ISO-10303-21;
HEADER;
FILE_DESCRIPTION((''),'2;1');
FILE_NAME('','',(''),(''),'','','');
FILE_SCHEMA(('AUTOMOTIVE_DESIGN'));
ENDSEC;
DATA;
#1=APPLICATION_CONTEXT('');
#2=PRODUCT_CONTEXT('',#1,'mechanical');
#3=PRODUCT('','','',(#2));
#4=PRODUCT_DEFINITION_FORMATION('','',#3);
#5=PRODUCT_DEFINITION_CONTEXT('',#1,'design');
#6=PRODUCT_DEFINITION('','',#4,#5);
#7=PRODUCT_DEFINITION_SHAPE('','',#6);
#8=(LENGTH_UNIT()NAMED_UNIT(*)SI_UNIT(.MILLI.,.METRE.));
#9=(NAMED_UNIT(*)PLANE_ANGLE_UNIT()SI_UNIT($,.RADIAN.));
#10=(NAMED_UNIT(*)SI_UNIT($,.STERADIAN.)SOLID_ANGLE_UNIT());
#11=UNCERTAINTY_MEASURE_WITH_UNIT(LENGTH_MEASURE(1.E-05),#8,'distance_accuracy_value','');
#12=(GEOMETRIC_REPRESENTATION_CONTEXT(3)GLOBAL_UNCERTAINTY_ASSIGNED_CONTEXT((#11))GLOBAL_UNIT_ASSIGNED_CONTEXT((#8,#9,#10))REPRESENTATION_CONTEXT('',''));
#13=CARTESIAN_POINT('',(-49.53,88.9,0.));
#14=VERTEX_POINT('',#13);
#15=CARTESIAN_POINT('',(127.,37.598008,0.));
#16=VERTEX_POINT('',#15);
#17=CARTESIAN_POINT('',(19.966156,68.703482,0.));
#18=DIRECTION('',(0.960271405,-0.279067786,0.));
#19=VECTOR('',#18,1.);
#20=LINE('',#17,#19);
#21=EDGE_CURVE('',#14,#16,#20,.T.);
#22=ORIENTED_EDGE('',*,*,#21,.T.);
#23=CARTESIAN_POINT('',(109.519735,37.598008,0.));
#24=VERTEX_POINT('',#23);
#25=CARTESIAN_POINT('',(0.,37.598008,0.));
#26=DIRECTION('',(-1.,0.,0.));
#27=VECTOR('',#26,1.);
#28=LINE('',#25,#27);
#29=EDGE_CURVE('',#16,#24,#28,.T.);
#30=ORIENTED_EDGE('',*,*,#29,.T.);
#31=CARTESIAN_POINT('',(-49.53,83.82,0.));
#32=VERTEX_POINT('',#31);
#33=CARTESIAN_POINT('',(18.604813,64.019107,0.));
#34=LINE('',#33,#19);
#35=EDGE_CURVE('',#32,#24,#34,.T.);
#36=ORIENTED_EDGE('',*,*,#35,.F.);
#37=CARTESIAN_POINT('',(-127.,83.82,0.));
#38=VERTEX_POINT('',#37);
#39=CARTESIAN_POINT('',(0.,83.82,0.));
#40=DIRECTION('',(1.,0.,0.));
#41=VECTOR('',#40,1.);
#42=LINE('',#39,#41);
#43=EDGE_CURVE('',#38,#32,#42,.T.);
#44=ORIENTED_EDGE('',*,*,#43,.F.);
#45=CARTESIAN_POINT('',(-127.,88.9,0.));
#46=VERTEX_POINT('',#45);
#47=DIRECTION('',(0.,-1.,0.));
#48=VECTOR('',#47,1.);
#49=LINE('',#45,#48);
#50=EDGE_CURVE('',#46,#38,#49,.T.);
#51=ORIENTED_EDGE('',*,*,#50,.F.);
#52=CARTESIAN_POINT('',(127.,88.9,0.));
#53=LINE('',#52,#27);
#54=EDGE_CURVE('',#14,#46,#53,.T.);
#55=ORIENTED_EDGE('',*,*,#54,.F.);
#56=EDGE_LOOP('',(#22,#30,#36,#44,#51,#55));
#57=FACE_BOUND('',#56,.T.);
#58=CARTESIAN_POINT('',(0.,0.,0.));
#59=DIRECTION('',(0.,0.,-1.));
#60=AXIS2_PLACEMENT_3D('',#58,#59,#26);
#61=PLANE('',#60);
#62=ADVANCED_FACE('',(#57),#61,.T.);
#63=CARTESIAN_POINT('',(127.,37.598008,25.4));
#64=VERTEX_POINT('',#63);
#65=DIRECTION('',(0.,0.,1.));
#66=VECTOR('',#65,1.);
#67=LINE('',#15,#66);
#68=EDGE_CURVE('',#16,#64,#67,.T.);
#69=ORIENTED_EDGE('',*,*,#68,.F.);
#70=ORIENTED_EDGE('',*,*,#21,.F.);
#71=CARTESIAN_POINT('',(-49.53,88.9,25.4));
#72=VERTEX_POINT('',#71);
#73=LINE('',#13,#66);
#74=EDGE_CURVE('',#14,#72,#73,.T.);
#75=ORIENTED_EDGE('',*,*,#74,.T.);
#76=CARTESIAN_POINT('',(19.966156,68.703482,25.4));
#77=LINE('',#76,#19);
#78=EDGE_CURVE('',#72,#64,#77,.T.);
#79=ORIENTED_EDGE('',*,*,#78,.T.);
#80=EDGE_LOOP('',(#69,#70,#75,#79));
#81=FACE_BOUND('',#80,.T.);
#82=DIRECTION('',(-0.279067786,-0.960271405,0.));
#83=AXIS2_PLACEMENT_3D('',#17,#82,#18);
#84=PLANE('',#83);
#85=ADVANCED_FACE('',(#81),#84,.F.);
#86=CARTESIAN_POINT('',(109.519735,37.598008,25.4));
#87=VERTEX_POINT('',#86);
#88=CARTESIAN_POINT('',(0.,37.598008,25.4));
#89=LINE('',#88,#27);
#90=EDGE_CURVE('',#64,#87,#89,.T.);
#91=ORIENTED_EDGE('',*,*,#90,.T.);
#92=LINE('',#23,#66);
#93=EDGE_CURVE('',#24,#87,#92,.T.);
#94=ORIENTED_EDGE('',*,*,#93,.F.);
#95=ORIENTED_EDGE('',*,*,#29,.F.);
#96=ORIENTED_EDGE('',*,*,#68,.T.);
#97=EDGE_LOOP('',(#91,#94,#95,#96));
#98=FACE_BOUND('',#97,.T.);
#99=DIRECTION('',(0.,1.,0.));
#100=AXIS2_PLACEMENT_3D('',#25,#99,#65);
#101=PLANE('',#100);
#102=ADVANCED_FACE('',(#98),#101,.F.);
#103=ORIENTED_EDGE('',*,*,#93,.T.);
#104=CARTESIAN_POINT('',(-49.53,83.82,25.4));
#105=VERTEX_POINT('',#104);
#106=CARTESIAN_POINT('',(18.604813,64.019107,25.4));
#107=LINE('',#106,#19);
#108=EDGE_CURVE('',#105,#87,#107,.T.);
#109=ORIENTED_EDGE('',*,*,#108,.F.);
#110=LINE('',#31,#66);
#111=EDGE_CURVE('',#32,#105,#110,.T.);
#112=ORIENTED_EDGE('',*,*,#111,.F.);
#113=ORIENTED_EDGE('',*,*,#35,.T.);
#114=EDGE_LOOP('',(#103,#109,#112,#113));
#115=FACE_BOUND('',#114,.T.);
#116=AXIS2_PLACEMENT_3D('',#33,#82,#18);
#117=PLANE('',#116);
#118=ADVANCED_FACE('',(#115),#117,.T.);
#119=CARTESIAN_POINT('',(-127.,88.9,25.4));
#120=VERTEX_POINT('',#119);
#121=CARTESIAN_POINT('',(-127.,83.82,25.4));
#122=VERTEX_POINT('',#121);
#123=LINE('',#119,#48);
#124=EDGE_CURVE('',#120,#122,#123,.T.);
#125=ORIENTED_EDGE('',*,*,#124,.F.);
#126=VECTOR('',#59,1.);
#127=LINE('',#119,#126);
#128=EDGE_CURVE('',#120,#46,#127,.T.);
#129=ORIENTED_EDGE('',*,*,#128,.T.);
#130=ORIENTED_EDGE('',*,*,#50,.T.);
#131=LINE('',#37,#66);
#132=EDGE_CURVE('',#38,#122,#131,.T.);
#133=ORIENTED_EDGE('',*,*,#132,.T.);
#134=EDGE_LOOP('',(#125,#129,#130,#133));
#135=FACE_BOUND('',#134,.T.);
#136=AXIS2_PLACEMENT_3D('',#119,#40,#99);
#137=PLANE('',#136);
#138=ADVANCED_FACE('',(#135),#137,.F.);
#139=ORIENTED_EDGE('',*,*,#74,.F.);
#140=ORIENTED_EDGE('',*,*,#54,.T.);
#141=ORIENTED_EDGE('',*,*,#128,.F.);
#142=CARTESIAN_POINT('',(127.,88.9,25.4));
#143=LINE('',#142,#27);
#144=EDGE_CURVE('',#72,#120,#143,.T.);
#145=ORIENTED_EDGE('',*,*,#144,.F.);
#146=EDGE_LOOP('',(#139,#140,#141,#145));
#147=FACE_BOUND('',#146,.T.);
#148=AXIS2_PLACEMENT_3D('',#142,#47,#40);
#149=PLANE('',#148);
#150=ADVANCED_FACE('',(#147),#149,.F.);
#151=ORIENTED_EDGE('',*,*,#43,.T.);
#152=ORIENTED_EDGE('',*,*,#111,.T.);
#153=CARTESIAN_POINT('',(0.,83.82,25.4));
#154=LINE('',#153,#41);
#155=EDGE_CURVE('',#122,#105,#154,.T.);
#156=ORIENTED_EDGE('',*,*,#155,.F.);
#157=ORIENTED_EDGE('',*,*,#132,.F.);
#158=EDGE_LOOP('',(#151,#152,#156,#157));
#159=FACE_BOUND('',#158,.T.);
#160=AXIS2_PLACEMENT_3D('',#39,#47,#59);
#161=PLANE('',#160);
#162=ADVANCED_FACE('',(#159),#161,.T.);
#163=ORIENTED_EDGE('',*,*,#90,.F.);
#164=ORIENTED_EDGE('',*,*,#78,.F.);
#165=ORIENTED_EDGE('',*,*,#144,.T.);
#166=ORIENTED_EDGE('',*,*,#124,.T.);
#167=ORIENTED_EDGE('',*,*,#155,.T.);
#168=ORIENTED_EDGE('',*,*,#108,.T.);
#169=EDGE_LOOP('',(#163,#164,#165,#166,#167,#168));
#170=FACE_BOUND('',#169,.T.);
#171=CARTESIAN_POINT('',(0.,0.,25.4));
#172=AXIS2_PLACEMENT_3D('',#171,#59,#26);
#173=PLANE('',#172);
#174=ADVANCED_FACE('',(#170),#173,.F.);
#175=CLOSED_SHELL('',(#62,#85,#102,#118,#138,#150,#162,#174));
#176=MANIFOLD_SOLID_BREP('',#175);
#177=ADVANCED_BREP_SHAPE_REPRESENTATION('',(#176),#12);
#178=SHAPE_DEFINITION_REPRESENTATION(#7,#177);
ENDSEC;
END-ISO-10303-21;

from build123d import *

# Parameters (mm, degrees)
SKETCH1_W           = 254
SKETCH1_H           = 177.8
BOSS_EXTRUDE1_DEPTH = 25.4
CUT_EXTRUDE1_DEPTH  = 158.090324336


with BuildPart() as part:
    # Sketch1 → Boss-Extrude1 (new body)
    with BuildSketch(Plane.XY):
        Rectangle(SKETCH1_W, SKETCH1_H)
    extrude(amount=BOSS_EXTRUDE1_DEPTH)

    # Sketch3 → Cut-Extrude1 (cut, through all)
    with BuildSketch(Plane.XY.offset(25.4)):
        Polygon((127, 88.9), (-49.53, 88.9), (127, 37.598007728), align=None)
        Polygon((-49.53, 83.82), (-127, 83.82), (-127, -88.9), (127, -88.9), (127, 37.598007728), (109.519735389, 37.598007728), align=None)
    extrude(amount=-CUT_EXTRUDE1_DEPTH, mode=Mode.SUBTRACT)


solid = part.part
